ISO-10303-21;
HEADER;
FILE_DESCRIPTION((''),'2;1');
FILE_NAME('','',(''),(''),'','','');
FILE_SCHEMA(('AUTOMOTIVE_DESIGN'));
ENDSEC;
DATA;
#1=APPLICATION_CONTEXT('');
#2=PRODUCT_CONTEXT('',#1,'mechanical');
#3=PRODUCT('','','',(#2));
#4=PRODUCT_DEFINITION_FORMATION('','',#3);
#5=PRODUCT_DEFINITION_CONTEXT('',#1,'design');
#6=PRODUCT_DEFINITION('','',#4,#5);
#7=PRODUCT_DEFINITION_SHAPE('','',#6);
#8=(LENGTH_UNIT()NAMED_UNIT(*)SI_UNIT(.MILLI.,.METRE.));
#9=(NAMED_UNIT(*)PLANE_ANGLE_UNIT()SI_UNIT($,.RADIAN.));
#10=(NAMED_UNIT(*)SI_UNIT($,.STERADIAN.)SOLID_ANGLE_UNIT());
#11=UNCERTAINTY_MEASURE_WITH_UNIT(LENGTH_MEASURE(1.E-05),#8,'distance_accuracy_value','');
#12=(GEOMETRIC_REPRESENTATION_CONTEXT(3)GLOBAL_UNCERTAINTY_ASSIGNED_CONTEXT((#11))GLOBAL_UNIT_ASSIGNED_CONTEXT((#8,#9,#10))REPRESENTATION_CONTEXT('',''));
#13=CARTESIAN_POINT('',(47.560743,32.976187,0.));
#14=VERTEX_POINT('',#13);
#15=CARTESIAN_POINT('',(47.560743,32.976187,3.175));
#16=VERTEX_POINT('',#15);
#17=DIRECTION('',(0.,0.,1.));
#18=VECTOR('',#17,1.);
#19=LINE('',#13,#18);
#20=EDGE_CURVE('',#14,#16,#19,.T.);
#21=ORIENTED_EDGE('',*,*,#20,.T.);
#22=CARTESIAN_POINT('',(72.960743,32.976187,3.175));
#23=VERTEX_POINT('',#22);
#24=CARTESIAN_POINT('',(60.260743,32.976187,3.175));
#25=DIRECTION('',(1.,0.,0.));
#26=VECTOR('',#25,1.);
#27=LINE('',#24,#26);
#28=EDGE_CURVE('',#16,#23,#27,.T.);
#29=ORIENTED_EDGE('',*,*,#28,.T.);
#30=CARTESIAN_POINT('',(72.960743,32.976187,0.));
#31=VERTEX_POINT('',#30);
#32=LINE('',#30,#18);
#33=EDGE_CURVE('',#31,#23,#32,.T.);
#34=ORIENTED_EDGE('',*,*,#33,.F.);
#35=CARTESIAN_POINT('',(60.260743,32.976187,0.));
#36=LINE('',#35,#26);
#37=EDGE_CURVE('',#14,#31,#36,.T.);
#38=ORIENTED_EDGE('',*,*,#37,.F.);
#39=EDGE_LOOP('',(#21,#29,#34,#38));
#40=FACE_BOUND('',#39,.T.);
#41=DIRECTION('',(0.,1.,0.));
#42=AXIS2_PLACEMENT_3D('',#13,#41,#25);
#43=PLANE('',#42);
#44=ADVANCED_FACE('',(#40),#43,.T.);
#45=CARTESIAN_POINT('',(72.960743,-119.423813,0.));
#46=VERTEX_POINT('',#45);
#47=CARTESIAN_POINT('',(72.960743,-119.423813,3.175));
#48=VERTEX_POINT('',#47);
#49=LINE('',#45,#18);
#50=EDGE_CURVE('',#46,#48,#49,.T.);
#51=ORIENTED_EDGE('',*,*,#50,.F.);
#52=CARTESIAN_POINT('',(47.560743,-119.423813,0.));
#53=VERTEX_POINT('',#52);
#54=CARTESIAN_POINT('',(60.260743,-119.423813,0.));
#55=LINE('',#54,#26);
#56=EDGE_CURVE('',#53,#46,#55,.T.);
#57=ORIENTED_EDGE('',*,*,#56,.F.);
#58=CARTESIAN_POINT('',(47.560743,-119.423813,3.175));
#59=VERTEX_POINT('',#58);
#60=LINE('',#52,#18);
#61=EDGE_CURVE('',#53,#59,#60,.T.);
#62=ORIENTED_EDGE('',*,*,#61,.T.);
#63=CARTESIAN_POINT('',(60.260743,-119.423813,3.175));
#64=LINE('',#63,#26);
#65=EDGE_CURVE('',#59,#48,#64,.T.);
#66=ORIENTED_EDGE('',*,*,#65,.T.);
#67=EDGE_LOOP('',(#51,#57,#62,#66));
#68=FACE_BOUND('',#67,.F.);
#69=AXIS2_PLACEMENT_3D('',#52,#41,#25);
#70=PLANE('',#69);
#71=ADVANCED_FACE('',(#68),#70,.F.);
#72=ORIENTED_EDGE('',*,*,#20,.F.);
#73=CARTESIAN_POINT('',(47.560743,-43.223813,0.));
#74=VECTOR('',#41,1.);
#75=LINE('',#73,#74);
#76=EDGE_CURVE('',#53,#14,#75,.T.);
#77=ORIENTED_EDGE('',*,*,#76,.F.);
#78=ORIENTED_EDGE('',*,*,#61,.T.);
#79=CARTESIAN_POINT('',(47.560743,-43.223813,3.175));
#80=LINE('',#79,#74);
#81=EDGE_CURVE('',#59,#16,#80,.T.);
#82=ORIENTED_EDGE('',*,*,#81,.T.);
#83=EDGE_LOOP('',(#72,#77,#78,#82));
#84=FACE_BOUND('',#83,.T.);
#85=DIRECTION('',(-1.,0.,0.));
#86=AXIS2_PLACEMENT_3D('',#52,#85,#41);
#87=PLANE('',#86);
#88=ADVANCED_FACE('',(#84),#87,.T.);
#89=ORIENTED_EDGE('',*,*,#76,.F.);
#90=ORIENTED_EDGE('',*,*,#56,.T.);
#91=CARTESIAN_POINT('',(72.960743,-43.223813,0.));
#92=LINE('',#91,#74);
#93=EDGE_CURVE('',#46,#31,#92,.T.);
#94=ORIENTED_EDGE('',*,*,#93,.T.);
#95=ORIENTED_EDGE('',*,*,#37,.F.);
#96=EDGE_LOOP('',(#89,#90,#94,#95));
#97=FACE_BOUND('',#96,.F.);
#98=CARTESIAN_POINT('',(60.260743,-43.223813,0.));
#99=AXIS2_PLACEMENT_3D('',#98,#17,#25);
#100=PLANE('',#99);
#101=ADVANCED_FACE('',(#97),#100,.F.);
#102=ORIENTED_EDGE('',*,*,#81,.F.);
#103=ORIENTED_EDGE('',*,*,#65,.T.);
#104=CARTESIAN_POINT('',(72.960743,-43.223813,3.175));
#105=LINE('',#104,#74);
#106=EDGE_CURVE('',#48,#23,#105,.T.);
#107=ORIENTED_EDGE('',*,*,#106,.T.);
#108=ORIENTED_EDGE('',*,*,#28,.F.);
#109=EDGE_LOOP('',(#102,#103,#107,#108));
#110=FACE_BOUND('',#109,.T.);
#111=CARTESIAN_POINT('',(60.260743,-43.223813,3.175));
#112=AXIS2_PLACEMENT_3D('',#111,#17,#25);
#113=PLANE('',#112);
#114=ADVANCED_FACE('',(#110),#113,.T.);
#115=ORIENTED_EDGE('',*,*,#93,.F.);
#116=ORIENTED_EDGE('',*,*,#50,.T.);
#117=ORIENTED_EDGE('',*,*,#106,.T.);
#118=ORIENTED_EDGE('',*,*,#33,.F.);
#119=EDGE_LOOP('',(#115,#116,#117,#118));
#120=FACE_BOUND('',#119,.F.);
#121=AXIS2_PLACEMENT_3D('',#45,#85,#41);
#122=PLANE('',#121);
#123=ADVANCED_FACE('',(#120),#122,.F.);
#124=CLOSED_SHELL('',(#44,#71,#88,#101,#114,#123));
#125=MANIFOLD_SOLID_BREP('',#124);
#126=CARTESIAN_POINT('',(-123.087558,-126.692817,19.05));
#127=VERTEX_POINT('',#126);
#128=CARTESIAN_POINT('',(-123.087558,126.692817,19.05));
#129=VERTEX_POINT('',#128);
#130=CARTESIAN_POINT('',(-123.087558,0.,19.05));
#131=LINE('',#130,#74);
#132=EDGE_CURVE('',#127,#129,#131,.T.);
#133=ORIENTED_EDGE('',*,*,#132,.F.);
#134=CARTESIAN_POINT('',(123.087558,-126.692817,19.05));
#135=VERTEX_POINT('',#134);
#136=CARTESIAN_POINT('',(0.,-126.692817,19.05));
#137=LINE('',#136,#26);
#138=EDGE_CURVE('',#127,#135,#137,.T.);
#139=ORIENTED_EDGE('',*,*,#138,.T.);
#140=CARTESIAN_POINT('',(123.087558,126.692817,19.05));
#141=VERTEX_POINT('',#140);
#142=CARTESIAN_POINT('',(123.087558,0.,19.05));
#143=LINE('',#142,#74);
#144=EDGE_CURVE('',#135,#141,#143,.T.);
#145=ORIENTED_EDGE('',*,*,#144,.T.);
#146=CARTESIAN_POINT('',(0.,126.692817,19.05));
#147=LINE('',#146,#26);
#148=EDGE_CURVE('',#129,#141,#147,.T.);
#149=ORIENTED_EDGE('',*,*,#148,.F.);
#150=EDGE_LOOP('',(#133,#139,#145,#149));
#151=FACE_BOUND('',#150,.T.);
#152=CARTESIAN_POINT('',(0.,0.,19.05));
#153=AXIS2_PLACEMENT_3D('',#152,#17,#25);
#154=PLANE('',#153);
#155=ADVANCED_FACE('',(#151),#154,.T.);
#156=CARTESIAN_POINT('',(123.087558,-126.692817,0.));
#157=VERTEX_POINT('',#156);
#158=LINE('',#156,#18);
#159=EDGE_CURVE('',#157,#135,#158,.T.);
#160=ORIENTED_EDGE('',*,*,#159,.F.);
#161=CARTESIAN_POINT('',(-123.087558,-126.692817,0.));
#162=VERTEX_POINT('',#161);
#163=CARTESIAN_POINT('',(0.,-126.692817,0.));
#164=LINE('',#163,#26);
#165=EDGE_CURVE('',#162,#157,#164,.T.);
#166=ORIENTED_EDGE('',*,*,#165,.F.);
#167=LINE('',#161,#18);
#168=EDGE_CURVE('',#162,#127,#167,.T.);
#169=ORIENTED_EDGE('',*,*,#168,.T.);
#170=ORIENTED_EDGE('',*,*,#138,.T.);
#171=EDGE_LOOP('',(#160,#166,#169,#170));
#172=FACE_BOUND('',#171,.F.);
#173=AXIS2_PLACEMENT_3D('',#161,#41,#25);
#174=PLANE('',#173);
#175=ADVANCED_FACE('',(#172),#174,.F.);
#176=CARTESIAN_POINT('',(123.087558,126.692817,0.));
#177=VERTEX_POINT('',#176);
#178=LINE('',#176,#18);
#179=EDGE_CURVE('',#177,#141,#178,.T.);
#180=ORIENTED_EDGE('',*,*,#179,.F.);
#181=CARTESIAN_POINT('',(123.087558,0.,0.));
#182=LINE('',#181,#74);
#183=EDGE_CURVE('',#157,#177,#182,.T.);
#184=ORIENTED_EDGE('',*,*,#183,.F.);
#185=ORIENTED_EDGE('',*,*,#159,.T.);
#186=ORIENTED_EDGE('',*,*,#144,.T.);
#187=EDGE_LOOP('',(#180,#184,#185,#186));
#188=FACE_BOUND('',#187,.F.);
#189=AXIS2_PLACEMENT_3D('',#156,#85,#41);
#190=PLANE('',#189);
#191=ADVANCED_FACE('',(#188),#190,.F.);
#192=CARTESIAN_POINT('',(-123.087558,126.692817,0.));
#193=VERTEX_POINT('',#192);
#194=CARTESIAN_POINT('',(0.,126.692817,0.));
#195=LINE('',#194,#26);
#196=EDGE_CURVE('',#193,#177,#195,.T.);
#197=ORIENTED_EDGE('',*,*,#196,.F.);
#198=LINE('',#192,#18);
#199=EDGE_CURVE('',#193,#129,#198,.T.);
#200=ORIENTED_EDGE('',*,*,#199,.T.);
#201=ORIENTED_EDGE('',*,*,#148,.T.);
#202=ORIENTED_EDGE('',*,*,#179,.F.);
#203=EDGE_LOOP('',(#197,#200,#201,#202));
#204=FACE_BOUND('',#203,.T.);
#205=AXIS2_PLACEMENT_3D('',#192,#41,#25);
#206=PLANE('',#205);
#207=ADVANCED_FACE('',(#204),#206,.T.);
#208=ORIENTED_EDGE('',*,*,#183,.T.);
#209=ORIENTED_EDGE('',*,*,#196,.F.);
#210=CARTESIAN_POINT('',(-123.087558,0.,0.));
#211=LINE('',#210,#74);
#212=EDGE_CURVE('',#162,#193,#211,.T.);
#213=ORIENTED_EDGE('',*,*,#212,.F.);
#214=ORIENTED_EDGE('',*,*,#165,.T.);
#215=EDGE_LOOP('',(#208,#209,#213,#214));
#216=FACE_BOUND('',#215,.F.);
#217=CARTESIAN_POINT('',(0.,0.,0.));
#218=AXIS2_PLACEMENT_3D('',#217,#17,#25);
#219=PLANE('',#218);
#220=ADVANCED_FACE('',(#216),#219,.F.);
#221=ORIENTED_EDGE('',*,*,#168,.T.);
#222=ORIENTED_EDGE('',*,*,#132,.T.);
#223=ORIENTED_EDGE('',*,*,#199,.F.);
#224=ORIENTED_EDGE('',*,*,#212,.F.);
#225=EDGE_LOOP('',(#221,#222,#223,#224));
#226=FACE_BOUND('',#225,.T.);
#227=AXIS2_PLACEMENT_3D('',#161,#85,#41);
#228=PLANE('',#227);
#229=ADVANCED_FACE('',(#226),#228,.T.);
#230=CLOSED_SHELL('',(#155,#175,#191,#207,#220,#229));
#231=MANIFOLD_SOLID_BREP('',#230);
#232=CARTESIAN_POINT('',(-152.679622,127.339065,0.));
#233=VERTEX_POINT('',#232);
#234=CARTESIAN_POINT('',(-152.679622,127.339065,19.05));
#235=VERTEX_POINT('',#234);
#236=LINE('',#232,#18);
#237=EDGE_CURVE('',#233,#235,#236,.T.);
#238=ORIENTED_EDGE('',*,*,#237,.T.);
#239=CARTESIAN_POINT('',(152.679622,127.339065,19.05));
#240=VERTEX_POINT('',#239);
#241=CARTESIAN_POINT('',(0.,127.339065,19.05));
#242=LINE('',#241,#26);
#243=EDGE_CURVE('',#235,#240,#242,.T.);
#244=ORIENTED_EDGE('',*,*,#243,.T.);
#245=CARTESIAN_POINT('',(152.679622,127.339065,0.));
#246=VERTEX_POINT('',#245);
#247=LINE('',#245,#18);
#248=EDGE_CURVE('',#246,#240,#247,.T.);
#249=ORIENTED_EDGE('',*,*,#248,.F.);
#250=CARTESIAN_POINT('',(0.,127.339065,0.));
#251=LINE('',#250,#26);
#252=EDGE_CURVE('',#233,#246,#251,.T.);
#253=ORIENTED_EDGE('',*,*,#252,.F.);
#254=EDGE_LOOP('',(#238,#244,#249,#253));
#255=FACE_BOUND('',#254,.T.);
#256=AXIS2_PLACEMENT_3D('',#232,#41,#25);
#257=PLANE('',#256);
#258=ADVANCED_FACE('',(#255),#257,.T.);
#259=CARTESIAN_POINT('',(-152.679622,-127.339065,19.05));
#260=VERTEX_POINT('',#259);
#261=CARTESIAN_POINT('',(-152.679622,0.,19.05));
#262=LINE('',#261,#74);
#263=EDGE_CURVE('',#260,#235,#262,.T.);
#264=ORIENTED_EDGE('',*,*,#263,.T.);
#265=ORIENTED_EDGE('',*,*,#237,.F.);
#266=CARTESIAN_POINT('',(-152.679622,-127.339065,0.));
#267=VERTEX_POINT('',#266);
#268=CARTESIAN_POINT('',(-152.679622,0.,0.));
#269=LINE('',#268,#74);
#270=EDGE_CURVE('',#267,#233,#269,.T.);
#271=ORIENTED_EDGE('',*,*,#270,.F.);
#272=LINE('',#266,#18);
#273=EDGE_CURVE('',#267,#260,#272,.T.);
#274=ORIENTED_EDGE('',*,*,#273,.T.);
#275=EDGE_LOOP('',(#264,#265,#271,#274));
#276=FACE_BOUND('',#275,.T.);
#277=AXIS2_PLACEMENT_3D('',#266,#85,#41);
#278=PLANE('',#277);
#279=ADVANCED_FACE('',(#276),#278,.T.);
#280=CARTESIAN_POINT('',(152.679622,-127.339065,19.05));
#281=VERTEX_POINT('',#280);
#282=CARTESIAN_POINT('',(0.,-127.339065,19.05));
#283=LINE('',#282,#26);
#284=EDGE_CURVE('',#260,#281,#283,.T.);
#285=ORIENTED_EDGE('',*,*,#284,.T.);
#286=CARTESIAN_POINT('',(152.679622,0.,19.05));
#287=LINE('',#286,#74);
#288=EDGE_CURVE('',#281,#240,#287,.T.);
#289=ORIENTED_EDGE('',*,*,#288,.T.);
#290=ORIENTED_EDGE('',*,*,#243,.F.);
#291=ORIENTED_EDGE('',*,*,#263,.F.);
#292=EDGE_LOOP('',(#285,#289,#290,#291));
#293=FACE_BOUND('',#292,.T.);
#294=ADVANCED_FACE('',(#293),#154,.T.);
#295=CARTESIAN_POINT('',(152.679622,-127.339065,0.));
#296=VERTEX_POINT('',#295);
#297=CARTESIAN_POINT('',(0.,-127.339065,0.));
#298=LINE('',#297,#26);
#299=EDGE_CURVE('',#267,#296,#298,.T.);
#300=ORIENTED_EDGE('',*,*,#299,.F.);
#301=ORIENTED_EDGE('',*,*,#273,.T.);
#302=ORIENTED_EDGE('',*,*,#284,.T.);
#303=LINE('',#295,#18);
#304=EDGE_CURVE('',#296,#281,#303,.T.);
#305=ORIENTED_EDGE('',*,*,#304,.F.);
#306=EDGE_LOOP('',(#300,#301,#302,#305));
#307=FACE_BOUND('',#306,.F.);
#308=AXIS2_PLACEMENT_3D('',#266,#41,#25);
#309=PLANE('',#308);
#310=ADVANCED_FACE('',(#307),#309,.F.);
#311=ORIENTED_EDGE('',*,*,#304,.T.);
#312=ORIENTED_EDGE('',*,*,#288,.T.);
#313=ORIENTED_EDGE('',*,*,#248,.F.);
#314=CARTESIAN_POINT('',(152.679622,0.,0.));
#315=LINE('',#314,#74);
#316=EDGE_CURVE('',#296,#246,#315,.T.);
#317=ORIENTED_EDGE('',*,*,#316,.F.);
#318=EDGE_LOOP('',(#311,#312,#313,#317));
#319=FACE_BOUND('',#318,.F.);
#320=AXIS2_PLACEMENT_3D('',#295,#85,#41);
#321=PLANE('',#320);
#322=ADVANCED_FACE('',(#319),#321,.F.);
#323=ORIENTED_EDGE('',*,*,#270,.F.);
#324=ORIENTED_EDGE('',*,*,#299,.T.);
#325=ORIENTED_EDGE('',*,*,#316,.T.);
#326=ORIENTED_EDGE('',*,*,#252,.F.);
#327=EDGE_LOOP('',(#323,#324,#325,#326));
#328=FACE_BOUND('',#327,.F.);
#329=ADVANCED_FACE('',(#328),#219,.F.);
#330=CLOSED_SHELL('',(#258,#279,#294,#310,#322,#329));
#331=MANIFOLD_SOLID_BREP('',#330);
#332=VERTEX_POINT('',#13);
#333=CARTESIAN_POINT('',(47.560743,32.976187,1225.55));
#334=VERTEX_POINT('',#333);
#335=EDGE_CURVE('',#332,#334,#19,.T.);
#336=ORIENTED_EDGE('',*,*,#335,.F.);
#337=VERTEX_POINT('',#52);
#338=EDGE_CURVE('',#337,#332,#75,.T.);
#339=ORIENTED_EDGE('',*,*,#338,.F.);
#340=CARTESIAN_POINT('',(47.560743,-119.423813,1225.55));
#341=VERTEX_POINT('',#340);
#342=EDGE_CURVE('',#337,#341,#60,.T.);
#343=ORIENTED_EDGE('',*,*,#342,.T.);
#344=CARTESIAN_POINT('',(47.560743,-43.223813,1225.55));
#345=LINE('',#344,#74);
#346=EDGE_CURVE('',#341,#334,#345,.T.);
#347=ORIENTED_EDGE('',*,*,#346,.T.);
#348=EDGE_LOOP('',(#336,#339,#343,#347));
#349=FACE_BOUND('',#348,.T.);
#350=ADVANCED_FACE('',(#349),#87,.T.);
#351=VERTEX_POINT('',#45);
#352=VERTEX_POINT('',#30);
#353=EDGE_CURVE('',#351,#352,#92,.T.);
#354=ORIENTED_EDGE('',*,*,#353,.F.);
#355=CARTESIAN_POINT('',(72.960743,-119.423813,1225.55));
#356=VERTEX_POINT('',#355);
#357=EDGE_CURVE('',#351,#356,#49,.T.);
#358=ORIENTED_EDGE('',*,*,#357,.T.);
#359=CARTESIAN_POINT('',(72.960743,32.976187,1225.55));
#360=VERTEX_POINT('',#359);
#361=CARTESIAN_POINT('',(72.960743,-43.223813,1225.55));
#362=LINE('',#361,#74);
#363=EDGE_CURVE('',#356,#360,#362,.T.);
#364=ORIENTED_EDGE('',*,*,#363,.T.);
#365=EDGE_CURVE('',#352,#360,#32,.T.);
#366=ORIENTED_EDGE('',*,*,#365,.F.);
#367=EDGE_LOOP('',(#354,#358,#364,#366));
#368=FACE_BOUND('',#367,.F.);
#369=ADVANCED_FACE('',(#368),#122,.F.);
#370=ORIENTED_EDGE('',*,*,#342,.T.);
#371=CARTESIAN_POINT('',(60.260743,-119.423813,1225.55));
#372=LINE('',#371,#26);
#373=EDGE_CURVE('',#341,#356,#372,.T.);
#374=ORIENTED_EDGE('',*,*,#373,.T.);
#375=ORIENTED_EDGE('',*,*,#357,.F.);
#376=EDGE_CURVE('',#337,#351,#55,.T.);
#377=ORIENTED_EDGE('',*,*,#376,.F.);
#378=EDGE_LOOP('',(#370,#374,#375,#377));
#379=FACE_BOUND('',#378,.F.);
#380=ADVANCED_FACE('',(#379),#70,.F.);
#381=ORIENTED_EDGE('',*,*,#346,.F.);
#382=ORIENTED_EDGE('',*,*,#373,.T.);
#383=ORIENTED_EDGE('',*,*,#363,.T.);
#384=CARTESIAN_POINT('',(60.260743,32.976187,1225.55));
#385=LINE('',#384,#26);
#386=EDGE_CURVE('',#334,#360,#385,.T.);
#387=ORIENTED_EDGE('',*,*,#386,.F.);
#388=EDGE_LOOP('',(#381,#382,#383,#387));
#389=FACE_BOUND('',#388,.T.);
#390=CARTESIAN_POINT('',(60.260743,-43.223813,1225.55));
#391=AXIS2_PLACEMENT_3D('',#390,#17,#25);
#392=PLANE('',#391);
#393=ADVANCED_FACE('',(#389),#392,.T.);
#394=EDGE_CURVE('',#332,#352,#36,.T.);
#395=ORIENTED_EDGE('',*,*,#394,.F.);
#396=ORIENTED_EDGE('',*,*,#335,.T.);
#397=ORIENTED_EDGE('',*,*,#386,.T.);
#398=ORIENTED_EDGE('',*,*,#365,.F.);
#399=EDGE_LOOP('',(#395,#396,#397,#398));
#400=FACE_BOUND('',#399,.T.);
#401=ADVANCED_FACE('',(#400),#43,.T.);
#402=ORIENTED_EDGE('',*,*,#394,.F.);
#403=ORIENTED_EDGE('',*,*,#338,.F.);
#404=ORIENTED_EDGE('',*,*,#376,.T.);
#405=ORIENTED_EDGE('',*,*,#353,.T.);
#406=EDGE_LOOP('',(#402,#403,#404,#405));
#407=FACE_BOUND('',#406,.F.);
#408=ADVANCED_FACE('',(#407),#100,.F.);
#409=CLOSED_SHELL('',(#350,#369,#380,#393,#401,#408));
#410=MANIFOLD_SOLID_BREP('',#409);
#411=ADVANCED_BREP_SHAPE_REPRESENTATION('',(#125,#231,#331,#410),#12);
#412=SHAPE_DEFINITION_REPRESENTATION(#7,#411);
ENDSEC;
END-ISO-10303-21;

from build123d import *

# Parameters (mm, degrees)
F0_W     = 305.359244
F0_H     = 254.67813
F1_DEPTH = 19.05
F2_W     = 25.4
F2_H     = 152.4
F3_DEPTH = 3.175
F4_DEPTH = 1225.55
F5_W     = 246.175116
F5_H     = 253.385634
F6_DEPTH = 19.05


with BuildPart() as f1:
    # F0 (on Top) → F1 (new body)
    with BuildSketch(Plane.XY):
        Rectangle(F0_W, F0_H)
    extrude(amount=F1_DEPTH)


with BuildPart() as f3:
    # F2 (on Top) → F3 (new body)
    with BuildSketch(Plane.XY):
        with Locations((60.260743, -43.223813)):
            Rectangle(F2_W, F2_H)
    extrude(amount=F3_DEPTH)


with BuildPart() as f4:
    # F2 (on Top) → F4 (new body)
    with BuildSketch(Plane.XY):
        with Locations((60.260743, -43.223813)):
            Rectangle(F2_W, F2_H)
    extrude(amount=F4_DEPTH)


with BuildPart() as f6:
    # F5 (on Top) → F6 (new body)
    with BuildSketch(Plane.XY):
        Rectangle(F5_W, F5_H)
    extrude(amount=F6_DEPTH)


solid = Compound([f1.part, f3.part, f4.part, f6.part])
